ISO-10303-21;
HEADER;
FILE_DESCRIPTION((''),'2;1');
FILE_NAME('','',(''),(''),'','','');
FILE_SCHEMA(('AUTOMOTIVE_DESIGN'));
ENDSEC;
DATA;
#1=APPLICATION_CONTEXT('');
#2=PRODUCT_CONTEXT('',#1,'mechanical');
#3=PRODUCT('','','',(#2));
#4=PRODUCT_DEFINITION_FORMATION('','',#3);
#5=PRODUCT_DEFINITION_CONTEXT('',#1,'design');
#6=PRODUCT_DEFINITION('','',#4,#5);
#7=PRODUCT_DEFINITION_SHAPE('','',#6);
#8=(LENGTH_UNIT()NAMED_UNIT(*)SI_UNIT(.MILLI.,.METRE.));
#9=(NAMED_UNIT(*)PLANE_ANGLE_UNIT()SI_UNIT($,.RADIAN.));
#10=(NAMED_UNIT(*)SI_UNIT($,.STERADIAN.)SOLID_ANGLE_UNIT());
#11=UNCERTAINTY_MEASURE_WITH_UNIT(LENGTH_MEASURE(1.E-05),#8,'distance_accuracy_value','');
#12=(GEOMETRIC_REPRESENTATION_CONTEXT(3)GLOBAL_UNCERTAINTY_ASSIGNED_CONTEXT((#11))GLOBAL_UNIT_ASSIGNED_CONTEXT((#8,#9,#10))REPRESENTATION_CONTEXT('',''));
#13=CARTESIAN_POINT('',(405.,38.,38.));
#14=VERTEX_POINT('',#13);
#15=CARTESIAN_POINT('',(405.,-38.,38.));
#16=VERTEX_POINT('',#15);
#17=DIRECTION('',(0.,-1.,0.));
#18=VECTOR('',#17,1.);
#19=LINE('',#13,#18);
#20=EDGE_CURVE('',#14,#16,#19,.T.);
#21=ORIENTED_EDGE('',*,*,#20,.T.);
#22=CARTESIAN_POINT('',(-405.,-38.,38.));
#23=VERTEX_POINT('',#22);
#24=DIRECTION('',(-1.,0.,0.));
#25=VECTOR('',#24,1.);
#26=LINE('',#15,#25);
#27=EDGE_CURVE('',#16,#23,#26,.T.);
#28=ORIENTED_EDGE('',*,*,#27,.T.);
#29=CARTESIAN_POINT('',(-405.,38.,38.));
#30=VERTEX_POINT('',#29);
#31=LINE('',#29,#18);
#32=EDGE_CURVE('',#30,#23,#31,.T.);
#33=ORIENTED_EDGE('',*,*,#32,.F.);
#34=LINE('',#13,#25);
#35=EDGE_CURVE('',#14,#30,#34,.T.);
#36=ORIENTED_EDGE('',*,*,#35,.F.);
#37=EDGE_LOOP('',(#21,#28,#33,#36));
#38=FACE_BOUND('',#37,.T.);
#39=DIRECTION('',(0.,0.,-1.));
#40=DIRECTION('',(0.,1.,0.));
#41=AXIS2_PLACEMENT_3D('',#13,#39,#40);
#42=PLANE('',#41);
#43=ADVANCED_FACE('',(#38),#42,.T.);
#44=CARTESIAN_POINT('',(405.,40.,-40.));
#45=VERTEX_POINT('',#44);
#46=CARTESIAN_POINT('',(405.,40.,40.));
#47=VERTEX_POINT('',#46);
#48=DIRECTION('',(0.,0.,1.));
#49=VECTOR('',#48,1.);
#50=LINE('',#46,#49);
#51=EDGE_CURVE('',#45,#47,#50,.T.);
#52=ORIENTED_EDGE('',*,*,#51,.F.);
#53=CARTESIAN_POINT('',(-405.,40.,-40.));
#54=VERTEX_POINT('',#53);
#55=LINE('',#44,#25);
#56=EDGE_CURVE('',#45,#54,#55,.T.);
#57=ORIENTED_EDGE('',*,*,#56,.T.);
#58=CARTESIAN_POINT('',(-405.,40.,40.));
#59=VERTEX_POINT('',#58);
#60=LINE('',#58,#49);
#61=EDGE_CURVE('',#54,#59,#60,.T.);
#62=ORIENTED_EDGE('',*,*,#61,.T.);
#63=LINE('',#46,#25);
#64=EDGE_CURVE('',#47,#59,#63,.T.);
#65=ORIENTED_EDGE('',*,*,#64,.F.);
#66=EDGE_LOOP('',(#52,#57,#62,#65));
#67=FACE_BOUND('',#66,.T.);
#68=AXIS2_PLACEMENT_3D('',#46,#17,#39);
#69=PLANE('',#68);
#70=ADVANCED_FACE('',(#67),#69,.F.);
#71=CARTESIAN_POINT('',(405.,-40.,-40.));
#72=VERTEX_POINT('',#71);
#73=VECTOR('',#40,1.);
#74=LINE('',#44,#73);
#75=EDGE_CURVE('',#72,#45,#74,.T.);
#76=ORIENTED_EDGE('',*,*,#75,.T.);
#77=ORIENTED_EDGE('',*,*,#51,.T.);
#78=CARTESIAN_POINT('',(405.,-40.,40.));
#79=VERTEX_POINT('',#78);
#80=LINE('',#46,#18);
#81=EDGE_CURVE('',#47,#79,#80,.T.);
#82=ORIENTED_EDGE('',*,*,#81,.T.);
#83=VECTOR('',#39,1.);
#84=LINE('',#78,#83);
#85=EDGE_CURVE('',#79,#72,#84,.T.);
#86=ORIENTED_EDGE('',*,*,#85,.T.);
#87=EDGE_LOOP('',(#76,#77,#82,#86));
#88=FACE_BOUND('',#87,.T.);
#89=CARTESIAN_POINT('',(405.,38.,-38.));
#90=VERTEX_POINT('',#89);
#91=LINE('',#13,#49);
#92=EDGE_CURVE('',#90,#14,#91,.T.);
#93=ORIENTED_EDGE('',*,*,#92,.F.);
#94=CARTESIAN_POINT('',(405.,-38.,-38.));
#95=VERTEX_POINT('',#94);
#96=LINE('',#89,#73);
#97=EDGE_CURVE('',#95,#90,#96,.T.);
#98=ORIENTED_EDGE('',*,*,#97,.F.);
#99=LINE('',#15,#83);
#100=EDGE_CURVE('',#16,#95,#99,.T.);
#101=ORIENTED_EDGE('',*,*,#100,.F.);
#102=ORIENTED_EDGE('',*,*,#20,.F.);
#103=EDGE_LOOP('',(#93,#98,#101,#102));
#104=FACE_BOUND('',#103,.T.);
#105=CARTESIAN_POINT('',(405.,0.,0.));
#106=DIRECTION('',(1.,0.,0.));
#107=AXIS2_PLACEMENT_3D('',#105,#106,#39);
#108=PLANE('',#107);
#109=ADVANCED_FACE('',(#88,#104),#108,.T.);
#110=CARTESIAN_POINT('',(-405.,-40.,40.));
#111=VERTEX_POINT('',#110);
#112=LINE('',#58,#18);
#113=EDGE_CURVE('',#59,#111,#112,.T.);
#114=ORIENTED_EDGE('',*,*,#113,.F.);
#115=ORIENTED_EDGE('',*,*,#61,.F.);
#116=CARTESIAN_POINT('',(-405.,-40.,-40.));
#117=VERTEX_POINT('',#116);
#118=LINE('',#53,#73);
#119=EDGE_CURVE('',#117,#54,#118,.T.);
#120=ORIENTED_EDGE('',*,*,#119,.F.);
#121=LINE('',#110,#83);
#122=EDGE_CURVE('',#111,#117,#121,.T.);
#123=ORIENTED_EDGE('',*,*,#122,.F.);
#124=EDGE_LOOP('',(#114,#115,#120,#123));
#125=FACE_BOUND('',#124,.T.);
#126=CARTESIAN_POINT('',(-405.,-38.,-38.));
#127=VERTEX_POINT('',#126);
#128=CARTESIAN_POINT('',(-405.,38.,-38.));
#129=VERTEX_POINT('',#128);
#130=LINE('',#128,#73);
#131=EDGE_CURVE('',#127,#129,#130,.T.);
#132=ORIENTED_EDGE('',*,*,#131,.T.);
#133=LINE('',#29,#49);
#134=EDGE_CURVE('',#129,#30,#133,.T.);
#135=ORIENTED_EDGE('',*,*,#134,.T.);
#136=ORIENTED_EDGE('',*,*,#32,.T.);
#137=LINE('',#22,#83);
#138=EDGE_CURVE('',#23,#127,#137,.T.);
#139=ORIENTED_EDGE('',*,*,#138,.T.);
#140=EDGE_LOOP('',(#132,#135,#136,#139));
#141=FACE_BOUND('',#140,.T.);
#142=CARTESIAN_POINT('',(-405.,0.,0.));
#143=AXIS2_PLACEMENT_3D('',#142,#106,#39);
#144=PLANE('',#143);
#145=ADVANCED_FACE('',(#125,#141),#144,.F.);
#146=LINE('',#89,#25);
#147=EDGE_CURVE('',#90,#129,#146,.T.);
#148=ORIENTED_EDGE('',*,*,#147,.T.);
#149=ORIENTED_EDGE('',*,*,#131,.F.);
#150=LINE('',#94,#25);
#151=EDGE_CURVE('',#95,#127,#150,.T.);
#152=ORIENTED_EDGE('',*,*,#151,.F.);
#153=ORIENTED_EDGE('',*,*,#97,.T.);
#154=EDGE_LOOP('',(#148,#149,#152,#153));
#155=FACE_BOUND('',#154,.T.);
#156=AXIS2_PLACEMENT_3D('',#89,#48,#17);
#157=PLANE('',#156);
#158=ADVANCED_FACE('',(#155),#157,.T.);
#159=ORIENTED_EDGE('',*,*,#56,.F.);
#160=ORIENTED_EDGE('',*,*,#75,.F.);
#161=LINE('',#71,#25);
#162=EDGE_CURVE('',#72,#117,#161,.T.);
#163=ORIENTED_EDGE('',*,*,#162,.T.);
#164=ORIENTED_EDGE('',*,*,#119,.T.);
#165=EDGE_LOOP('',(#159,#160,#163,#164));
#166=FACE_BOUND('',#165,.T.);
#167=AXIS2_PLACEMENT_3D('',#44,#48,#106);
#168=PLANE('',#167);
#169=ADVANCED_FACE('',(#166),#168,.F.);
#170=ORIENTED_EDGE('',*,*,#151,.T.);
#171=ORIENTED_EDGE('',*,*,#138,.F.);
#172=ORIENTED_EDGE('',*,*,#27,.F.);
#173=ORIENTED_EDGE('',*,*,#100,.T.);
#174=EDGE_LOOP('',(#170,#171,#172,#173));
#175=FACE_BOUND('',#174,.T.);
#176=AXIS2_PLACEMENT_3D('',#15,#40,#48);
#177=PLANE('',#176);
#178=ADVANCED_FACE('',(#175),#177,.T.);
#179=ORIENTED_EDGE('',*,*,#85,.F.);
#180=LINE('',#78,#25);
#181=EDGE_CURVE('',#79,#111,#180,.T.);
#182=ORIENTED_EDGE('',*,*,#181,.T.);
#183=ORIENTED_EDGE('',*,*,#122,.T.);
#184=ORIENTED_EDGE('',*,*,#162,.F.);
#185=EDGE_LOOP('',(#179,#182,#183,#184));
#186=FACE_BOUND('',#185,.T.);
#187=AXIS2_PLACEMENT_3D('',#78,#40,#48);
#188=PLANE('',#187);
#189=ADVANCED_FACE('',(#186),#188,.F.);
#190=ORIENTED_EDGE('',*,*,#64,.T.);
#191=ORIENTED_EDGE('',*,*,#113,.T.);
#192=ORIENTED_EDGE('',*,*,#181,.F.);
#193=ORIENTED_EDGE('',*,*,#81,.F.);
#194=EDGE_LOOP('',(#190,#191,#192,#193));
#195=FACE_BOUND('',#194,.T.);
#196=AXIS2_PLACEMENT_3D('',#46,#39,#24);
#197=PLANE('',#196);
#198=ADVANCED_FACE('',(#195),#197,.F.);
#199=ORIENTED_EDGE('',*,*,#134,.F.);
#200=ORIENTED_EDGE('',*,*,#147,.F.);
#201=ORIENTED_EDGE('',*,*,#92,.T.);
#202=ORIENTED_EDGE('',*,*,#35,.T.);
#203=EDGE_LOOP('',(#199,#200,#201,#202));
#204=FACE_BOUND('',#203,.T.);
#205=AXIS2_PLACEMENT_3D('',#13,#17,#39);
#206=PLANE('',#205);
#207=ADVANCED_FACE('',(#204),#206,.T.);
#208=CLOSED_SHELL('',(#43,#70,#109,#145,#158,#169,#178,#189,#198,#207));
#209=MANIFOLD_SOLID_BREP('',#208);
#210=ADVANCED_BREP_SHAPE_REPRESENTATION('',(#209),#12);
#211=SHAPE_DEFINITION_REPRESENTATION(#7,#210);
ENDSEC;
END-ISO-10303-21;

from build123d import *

# Parameters (mm, degrees)
SKETCH_1_W      = 80
SKETCH_1_H      = 80
SKETCH_1_W_2    = 76
SKETCH_1_H_2    = 76
EXTRUDE_1_DEPTH = 405


with BuildPart() as part:
    # 草图1 → 凸台-拉伸1 (new, symmetric)
    with BuildSketch(Plane(origin=(0, 0, 0), x_dir=(0, 0, -1), z_dir=(1, 0, 0))):
        Rectangle(SKETCH_1_W, SKETCH_1_H)
        Rectangle(SKETCH_1_W_2, SKETCH_1_H_2, mode=Mode.SUBTRACT)
    extrude(amount=EXTRUDE_1_DEPTH, both=True)


solid = part.part
